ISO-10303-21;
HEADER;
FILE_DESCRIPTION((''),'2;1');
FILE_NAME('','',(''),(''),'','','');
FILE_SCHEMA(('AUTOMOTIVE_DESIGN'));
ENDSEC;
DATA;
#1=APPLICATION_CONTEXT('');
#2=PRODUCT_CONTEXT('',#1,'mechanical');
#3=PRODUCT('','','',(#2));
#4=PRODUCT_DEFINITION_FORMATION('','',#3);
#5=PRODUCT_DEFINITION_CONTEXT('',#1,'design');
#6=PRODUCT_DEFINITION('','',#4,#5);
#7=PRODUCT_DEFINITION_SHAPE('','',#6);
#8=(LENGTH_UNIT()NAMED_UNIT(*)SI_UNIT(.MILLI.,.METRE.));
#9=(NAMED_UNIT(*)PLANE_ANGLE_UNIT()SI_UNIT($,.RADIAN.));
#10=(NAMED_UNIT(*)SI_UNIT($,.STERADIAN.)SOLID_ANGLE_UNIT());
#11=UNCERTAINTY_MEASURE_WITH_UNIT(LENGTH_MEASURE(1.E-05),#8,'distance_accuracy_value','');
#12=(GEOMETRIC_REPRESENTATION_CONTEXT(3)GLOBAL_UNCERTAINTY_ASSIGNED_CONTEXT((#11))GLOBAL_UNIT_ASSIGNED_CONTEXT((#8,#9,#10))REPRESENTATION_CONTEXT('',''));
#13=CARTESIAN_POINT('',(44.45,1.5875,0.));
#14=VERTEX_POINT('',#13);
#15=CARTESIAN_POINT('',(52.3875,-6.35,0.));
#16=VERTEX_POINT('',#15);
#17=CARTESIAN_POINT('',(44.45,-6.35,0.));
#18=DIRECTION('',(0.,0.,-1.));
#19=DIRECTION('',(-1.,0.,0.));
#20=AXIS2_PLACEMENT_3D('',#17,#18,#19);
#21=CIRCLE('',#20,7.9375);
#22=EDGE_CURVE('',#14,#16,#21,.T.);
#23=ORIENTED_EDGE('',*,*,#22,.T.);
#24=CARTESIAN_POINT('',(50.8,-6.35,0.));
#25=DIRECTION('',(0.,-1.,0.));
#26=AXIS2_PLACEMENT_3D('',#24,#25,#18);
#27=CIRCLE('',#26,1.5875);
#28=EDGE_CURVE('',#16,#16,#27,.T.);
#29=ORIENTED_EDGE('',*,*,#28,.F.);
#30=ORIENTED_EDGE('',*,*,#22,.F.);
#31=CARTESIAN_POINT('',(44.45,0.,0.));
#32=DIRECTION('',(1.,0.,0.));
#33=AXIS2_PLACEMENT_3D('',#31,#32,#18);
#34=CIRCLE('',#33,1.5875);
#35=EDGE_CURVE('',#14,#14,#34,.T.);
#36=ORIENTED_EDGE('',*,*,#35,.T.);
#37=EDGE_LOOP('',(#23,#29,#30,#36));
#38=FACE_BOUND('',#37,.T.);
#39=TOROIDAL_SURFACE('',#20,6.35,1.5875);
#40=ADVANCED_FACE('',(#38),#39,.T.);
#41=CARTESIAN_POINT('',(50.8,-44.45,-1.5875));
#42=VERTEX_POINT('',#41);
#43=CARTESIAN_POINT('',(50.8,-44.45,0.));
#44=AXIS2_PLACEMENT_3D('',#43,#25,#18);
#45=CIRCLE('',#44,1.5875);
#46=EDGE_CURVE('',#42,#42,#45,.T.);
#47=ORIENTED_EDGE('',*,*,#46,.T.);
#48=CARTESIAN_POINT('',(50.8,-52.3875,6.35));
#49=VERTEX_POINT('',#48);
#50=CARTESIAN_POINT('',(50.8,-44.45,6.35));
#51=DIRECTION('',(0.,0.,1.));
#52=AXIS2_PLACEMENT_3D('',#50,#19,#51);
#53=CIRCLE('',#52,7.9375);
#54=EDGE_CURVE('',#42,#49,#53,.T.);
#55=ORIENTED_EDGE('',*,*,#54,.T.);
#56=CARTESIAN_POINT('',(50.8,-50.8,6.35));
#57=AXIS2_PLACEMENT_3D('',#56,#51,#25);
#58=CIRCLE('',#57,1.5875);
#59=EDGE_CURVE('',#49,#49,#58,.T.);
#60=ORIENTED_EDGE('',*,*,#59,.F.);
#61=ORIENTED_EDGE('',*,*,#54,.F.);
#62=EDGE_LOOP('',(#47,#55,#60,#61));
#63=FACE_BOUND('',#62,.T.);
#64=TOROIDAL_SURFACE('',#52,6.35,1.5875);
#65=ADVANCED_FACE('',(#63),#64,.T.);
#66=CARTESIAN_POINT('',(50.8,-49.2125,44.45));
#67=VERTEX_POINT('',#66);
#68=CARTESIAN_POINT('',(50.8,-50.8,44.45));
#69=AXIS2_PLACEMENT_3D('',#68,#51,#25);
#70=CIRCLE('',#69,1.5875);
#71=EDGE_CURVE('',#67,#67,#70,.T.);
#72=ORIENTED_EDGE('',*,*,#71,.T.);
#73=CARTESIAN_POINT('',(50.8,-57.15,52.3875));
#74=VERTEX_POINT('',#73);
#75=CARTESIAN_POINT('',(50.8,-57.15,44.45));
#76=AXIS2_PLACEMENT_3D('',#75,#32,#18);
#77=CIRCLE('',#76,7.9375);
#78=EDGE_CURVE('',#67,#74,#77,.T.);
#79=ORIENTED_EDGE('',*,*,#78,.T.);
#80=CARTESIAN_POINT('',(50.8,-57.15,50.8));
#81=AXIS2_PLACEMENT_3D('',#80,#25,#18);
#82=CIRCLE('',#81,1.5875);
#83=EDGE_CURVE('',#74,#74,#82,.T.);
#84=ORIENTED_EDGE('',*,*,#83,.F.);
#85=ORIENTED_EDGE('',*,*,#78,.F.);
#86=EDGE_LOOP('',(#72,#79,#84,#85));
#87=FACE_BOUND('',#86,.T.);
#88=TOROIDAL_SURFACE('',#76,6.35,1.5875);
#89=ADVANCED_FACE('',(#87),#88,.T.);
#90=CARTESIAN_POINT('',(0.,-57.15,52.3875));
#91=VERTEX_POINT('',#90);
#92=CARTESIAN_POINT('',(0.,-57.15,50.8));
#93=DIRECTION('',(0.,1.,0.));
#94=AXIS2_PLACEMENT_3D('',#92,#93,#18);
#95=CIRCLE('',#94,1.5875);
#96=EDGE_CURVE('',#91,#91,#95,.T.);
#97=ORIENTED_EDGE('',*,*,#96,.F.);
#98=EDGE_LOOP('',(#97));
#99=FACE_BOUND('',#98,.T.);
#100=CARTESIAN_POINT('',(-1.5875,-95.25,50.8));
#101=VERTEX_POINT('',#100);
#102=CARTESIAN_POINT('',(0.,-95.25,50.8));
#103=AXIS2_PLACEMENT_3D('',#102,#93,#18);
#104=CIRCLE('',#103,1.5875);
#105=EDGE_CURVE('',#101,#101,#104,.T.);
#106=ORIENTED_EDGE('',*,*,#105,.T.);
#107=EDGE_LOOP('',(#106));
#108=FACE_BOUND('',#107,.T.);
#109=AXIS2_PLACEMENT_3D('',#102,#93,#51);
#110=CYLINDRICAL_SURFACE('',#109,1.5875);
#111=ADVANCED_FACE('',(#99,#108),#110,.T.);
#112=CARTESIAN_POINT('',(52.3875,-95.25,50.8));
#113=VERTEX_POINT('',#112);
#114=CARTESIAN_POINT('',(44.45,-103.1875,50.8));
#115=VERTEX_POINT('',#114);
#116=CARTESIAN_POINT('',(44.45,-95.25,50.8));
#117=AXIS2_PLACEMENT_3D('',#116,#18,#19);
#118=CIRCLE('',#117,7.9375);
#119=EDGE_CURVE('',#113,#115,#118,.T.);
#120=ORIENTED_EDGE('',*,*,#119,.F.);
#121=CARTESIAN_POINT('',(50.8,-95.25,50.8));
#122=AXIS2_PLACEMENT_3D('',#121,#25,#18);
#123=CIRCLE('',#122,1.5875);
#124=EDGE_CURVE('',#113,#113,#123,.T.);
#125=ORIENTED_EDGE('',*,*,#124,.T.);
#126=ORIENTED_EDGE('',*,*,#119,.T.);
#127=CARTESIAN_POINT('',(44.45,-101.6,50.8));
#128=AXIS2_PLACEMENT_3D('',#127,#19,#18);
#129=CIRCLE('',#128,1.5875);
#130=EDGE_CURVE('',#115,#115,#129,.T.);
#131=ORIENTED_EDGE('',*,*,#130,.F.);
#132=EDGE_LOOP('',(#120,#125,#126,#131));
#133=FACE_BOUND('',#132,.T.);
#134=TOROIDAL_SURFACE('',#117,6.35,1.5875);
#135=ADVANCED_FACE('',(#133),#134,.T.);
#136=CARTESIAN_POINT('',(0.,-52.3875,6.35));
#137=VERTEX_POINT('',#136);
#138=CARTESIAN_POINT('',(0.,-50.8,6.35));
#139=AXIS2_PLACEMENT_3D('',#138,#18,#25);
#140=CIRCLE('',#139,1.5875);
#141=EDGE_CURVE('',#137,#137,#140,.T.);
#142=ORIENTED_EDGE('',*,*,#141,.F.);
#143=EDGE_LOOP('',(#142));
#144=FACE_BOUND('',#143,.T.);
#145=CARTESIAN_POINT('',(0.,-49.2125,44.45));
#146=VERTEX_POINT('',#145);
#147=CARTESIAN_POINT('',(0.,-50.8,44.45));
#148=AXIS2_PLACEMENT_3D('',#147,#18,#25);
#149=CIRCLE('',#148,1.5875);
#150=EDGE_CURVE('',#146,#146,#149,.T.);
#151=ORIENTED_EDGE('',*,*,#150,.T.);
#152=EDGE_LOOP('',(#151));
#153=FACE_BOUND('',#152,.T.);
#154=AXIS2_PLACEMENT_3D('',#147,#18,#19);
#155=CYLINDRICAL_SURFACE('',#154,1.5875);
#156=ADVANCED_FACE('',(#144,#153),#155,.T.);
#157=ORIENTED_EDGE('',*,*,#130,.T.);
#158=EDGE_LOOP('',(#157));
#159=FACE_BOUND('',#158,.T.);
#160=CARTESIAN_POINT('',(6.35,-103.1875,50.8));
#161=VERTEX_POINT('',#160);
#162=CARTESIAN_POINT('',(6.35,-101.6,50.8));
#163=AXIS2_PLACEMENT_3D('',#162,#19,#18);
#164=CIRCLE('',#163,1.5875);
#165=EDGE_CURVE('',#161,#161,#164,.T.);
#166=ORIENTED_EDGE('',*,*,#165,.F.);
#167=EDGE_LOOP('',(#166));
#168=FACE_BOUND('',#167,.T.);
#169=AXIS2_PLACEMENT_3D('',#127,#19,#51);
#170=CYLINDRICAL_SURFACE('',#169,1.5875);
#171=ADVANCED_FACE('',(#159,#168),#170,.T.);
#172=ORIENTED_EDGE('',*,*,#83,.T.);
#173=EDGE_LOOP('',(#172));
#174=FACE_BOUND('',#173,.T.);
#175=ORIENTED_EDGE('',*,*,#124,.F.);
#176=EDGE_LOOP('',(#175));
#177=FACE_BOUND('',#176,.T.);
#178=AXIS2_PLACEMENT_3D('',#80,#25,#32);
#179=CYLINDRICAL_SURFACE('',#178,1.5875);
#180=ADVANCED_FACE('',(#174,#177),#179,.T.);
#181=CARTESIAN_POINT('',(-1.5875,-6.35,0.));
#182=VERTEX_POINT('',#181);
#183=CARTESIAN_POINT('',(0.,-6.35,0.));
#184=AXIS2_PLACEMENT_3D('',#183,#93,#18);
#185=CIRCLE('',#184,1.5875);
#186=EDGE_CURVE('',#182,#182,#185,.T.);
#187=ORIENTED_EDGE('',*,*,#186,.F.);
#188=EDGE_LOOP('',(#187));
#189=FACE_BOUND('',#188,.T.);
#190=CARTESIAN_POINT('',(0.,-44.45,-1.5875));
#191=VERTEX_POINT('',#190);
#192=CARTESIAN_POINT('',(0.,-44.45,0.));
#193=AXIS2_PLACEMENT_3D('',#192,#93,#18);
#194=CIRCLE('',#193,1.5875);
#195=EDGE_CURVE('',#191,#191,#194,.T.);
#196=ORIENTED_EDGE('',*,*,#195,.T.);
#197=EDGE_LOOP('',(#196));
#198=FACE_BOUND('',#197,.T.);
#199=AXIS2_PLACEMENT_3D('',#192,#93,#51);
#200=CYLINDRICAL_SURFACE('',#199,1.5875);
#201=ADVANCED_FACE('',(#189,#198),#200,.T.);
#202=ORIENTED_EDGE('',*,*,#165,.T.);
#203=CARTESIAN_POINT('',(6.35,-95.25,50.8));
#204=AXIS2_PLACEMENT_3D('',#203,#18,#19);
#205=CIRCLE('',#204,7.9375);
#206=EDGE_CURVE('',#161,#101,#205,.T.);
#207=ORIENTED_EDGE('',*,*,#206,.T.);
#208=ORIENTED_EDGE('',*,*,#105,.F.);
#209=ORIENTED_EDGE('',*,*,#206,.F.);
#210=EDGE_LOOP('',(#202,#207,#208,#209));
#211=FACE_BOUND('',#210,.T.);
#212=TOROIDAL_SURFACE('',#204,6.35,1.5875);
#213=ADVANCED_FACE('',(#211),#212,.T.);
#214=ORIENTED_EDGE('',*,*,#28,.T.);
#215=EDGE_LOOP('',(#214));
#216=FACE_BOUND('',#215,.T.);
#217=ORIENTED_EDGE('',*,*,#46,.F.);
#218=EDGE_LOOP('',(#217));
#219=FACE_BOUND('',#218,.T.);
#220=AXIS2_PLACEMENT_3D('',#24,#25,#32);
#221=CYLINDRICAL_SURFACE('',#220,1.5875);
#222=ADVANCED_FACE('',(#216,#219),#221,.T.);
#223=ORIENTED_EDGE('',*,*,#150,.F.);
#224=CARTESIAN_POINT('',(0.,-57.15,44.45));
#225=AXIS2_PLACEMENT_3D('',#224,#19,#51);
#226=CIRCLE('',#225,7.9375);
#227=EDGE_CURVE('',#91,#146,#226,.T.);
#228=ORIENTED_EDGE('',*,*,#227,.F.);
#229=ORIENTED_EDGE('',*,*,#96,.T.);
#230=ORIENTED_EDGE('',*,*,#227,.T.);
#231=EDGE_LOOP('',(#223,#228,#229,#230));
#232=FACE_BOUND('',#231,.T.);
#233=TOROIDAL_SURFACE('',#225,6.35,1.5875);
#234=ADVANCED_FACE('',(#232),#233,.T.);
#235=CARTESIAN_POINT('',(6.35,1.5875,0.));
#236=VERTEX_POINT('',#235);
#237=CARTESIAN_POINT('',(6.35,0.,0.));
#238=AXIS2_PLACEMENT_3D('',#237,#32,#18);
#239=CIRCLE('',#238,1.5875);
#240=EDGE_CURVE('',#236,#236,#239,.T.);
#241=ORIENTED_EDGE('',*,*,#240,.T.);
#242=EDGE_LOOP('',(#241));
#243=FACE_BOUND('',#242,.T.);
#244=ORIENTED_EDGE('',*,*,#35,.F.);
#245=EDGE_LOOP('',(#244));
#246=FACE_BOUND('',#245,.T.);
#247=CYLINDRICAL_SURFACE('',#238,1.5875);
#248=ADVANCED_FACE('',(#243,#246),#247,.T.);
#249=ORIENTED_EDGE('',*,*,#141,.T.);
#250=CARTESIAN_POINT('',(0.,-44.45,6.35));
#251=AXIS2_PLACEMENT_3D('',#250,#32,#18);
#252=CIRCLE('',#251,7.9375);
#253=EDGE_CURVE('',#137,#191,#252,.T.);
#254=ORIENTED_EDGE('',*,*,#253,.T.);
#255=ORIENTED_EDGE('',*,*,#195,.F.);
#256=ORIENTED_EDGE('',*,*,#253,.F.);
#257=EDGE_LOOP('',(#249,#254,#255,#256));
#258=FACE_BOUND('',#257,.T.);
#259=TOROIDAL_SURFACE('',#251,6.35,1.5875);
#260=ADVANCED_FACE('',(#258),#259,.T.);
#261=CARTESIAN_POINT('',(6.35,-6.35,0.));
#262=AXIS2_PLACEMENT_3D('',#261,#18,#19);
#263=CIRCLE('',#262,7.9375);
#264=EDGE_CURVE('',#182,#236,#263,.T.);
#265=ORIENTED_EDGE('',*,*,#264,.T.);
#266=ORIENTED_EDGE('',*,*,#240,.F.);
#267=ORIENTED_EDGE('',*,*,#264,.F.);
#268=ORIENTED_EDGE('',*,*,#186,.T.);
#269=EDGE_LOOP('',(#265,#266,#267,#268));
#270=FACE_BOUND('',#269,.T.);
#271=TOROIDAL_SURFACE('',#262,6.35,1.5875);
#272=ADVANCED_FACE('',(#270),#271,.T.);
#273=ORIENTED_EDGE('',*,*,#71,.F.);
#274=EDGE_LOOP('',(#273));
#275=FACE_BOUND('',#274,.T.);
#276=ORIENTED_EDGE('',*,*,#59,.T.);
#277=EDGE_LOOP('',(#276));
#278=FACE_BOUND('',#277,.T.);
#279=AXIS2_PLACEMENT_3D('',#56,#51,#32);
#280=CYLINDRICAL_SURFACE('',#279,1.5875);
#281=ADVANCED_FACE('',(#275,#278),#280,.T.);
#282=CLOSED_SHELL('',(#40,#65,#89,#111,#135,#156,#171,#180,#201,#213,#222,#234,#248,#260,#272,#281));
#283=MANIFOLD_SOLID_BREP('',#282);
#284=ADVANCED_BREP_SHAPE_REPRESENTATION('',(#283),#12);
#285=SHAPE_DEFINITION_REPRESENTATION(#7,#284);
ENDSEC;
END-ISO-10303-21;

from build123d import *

# Parameters (mm, degrees)
SKETCH2_R = 1.5875


with BuildPart() as part:
    # Sweep1: sweep along a curve in space
    with BuildLine() as sweep1_path:
        Line((0, -6.35, 0), (0, -44.45, 0))
        ThreePointArc((0, -44.45, 0), (0, -48.940128061, 1.859871939), (0, -50.8, 6.35))
        Line((0, -50.8, 6.35), (0, -50.8, 44.45))
        ThreePointArc((0, -50.8, 44.45), (0, -52.659871939, 48.940128061), (0, -57.15, 50.8))
        Line((0, -57.15, 50.8), (0, -95.25, 50.8))
        ThreePointArc((0, -95.25, 50.8), (1.859871939, -99.740128061, 50.8), (6.35, -101.6, 50.8))
        Line((6.35, -101.6, 50.8), (44.45, -101.6, 50.8))
        ThreePointArc((44.45, -101.6, 50.8), (48.940128061, -99.740128061, 50.8), (50.8, -95.25, 50.8))
        Line((50.8, -95.25, 50.8), (50.8, -57.15, 50.8))
        ThreePointArc((50.8, -57.15, 50.8), (50.8, -52.659871939, 48.940128061), (50.8, -50.8, 44.45))
        Line((50.8, -50.8, 44.45), (50.8, -50.8, 6.35))
        ThreePointArc((50.8, -50.8, 6.35), (50.8, -48.940128061, 1.859871939), (50.8, -44.45, 0))
        Line((50.8, -44.45, 0), (50.8, -6.35, 0))
        ThreePointArc((50.8, -6.35, 0), (48.940128061, -1.859871939, 0), (44.45, 0, 0))
        Line((44.45, 0, 0), (6.35, 0, 0))
        ThreePointArc((0, -6.35, 0), (1.859871939, -1.859871939, 0), (6.35, 0, 0))
    # Sketch2 → Sweep1 (sweep)
    with BuildSketch(Plane(origin=(6.35, 0, 0), x_dir=(0, 0, -1), z_dir=(1, 0, 0))):
        Circle(SKETCH2_R)
    sweep(path=sweep1_path.line)


solid = part.part
